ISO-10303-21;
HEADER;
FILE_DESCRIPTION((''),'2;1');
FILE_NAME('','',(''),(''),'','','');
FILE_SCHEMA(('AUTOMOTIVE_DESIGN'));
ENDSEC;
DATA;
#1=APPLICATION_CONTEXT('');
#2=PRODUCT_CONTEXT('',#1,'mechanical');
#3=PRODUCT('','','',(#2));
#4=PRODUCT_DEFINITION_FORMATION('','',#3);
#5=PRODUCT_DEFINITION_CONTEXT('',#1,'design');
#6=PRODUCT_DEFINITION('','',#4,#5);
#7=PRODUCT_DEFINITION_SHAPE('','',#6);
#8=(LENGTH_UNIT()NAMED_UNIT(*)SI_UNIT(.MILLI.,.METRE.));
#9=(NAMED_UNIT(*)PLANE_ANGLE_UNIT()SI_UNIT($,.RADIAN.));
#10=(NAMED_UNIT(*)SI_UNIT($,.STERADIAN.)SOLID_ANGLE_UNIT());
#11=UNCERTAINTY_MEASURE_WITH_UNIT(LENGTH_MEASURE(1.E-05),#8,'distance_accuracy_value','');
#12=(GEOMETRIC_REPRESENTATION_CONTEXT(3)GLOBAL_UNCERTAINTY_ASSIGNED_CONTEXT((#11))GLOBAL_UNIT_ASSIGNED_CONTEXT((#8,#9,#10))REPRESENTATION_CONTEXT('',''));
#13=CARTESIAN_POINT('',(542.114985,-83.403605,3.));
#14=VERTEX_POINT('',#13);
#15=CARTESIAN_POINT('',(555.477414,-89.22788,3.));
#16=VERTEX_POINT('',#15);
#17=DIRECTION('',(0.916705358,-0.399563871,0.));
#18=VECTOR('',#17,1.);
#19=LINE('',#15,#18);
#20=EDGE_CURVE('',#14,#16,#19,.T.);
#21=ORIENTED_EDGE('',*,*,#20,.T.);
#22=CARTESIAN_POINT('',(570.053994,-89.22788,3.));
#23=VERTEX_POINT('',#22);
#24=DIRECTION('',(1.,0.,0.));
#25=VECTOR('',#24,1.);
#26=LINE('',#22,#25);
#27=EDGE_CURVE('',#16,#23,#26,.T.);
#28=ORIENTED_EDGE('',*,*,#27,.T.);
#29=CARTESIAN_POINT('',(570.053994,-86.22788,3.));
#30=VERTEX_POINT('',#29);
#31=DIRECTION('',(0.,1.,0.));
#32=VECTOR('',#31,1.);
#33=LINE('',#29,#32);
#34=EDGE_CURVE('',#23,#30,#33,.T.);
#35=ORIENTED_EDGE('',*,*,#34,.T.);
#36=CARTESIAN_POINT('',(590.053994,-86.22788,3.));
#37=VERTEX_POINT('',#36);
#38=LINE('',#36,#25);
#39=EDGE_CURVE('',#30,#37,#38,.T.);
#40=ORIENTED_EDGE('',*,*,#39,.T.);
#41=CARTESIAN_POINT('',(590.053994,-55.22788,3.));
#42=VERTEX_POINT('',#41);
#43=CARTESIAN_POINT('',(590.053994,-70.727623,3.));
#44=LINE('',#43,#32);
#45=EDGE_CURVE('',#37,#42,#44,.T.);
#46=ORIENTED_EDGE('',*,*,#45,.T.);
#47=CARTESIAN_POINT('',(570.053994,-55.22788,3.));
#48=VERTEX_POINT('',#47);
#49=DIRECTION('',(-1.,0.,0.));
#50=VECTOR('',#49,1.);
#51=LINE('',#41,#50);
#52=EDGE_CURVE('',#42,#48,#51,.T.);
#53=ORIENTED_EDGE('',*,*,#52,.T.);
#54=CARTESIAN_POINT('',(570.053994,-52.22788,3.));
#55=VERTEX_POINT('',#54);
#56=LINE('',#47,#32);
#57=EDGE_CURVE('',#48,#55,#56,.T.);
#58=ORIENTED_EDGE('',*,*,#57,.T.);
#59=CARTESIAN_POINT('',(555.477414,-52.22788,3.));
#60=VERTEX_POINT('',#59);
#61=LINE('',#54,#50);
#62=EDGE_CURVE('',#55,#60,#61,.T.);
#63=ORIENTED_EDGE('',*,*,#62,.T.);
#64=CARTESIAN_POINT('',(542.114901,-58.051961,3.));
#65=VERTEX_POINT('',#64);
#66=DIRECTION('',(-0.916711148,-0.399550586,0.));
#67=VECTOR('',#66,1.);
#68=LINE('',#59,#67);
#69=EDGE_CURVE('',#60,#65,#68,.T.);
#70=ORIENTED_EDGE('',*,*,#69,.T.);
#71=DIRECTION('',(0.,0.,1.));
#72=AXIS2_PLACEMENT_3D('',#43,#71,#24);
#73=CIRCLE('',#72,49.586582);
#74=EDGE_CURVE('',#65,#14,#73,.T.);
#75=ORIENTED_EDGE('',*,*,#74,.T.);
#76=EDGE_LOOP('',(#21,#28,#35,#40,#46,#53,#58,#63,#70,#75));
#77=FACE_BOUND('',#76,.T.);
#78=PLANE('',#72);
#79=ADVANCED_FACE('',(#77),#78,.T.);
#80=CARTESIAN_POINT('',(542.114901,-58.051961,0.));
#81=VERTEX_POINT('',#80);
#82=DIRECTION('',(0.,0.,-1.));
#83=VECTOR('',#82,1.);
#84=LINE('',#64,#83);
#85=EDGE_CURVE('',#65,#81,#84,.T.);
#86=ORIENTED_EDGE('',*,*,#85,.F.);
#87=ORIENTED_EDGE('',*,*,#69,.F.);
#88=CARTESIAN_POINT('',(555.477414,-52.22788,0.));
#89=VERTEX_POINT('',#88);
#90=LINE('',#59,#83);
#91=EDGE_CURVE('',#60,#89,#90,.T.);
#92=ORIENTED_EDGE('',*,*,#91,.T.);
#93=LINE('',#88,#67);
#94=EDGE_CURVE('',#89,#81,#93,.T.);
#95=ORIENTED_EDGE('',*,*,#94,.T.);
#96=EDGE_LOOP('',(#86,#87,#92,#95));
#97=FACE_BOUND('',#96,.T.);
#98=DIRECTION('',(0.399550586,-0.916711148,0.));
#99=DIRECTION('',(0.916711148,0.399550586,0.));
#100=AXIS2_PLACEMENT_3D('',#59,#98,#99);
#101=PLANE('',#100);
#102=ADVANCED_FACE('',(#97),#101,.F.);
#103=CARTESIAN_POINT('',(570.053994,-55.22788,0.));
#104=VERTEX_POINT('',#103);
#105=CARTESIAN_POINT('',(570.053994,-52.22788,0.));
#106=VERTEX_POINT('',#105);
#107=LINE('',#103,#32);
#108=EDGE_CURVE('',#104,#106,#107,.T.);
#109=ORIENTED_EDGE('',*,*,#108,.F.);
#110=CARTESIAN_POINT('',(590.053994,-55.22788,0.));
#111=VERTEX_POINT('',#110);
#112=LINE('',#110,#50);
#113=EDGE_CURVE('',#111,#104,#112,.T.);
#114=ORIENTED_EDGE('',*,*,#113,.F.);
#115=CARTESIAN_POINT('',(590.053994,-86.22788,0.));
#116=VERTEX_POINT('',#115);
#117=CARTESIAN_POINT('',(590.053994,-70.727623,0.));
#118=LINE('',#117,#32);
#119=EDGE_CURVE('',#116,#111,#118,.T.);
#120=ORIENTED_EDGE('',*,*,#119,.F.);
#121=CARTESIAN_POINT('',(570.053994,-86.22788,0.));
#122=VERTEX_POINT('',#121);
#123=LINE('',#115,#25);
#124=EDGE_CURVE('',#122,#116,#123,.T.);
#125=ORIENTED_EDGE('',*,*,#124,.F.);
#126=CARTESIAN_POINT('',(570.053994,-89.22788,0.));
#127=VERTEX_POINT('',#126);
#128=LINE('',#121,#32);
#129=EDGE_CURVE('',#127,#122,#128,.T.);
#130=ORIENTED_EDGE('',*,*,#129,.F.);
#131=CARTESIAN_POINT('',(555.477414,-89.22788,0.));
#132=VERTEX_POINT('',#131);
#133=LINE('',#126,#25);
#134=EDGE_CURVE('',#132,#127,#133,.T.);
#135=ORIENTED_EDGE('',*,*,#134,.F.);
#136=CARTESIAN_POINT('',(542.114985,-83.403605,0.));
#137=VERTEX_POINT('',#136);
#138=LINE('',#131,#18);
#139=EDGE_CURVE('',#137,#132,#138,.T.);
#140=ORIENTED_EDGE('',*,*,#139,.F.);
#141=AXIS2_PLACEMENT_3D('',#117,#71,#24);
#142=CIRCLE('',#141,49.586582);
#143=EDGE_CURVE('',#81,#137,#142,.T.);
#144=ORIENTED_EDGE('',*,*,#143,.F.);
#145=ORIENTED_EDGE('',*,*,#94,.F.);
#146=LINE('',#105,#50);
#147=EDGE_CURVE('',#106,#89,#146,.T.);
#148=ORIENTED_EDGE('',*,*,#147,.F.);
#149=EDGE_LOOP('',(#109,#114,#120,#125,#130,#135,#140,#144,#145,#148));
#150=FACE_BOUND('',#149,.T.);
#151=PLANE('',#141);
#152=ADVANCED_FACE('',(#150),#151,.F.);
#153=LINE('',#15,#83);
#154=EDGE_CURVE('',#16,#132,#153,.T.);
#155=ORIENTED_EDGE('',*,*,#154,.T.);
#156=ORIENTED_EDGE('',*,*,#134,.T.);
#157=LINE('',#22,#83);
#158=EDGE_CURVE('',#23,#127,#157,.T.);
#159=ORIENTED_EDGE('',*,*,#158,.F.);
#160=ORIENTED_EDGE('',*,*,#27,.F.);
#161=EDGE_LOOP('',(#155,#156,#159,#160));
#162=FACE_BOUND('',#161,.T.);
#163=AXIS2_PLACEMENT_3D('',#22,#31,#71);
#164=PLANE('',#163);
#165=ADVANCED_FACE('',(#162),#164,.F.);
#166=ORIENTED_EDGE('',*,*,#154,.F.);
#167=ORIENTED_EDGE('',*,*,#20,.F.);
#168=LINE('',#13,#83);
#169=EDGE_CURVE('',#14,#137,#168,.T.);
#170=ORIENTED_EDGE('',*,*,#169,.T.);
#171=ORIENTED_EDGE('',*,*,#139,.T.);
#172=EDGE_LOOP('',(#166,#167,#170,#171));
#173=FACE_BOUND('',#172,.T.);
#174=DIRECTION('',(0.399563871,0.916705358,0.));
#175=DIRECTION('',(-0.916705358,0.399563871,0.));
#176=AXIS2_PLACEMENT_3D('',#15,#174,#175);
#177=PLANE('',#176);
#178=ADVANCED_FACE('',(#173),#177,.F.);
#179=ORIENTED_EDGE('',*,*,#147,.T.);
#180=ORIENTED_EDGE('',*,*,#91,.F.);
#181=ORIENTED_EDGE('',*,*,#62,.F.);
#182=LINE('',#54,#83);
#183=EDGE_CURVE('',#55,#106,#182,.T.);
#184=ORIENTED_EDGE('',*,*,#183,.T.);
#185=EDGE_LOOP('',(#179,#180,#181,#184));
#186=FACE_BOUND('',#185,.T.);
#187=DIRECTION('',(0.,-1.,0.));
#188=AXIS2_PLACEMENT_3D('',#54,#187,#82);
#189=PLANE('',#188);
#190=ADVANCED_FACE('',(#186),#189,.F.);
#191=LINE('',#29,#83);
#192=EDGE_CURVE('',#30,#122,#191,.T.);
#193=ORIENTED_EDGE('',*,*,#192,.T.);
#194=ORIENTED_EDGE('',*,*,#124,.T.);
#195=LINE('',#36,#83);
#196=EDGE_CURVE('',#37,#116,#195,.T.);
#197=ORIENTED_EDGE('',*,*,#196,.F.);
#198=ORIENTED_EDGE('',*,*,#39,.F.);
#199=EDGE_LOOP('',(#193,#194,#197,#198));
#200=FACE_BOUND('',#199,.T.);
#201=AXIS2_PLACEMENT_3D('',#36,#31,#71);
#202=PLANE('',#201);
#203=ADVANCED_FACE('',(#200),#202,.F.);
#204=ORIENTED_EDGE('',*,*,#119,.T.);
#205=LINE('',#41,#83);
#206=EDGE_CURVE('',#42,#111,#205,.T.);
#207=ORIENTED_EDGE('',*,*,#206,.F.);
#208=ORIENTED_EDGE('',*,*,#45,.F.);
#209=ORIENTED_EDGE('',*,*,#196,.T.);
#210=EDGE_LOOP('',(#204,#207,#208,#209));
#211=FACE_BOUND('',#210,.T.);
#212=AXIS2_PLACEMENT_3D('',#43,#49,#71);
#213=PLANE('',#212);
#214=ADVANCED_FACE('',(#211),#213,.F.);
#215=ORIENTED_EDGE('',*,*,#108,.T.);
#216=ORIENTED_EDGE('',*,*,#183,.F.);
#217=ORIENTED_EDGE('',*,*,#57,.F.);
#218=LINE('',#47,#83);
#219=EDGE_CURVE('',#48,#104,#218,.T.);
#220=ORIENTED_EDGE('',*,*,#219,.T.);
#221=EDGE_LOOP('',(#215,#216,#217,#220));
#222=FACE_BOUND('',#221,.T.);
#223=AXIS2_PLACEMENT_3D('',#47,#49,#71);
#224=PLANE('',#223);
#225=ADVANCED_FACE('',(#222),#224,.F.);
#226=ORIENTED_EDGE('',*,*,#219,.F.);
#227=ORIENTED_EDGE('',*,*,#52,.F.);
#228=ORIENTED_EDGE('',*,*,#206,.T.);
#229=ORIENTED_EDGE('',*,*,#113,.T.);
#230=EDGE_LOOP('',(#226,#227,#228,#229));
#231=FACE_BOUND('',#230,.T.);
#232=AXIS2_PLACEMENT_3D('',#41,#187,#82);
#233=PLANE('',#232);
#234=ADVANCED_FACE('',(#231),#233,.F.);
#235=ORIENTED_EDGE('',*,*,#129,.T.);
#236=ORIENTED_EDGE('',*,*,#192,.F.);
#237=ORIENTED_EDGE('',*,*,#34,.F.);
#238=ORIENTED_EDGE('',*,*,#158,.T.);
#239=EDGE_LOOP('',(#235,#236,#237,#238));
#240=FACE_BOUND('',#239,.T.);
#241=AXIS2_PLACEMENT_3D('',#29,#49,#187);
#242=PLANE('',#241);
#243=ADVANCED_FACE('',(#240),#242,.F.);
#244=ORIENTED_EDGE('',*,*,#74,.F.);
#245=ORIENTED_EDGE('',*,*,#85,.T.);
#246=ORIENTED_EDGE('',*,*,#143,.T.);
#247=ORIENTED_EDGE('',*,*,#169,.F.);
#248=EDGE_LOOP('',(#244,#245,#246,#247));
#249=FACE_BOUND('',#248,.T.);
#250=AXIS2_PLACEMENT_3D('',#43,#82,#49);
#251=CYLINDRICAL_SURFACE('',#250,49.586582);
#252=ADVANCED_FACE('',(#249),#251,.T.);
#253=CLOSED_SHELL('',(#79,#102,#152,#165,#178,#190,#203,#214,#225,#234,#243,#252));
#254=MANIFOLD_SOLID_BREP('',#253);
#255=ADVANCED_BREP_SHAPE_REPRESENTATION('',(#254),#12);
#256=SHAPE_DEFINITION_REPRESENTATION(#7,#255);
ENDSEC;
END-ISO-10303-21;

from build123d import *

# Parameters (mm, degrees)
BASE_EXTRUDE_DEPTH = 3


with BuildPart() as part:
    # Sketch1 → Base-Extrude (new body)
    with BuildSketch(Plane.XY):
        with BuildLine():
            Line((570.053994223, -52.227879558), (555.477414106, -52.227879558))
            Line((555.477414106, -52.227879558), (542.114900608, -58.051960683))
            ThreePointArc((542.114900608, -58.051960683), (540.467412221, -70.727788214), (542.114985017, -83.403604775))
            Line((542.114985017, -83.403604775), (555.477414106, -89.227879558))
            Line((555.477414106, -89.227879558), (570.053994223, -89.227879558))
            Line((570.053994223, -89.227879558), (570.053994223, -86.227879558))
            Line((570.053994223, -86.227879558), (590.053994223, -86.227879558))
            Line((590.053994223, -86.227879558), (590.053994223, -70.727623116))
            Line((590.053994223, -70.727623116), (590.053994223, -55.227879558))
            Line((590.053994223, -55.227879558), (570.053994223, -55.227879558))
            Line((570.053994223, -55.227879558), (570.053994223, -52.227879558))
        make_face()
    extrude(amount=BASE_EXTRUDE_DEPTH)


solid = part.part
